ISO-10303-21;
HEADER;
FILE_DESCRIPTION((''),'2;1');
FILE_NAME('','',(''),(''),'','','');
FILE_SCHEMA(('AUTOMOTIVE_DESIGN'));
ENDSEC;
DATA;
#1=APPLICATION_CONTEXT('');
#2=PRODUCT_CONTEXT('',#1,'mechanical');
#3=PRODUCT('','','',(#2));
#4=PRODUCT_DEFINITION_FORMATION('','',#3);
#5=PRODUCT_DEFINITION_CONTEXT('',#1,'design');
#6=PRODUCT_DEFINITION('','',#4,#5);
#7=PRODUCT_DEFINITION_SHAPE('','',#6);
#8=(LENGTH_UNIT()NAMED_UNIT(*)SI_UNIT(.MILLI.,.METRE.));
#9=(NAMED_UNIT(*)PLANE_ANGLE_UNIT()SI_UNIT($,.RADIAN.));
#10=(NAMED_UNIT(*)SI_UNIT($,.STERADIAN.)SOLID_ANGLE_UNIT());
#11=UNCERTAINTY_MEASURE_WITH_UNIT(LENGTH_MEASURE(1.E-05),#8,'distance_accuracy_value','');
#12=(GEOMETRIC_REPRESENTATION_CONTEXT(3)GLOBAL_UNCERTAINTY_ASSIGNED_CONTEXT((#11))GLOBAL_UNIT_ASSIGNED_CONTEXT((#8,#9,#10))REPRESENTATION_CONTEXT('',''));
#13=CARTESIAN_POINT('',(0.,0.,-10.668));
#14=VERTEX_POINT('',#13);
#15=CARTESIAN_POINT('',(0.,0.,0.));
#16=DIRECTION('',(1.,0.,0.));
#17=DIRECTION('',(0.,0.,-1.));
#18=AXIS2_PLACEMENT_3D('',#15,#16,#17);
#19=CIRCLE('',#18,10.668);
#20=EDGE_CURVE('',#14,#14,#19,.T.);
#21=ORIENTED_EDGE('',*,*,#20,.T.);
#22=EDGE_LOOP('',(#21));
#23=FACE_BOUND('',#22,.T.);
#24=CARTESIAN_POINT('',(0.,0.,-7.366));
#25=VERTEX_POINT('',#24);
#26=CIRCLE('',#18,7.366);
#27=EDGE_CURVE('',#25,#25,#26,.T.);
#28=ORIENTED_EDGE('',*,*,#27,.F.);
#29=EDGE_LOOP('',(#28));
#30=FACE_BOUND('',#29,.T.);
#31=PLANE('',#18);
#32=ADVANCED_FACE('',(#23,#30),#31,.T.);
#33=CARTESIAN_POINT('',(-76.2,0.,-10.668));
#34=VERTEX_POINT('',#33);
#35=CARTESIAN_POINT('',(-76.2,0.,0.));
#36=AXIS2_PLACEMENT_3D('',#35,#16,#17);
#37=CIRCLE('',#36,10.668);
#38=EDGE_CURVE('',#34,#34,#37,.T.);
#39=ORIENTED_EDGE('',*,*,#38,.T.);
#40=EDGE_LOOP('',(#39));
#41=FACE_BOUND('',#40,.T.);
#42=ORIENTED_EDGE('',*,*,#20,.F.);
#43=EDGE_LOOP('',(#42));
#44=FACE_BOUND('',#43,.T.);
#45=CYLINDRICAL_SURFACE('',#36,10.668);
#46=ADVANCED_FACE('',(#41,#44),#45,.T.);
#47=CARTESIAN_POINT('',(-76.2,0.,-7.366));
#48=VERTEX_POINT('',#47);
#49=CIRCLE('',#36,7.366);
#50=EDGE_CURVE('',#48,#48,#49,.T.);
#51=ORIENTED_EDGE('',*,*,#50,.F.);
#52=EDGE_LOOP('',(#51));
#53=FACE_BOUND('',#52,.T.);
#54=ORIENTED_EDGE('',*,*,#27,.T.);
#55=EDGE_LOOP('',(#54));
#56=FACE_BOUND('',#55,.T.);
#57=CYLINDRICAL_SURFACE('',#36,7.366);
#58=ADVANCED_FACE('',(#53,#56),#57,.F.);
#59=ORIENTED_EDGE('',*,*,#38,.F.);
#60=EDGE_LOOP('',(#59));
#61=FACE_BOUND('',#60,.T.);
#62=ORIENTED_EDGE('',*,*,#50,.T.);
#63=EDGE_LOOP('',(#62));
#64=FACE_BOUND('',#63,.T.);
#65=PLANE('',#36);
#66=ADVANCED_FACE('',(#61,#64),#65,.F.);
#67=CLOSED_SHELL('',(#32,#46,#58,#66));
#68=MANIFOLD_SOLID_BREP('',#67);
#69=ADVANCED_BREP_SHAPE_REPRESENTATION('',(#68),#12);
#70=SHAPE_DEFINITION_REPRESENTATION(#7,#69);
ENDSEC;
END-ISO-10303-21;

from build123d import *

# Parameters (mm, degrees)
SKETCH1_R           = 10.668
SKETCH1_R_2         = 7.366
BOSS_EXTRUDE1_DEPTH = 76.2


with BuildPart() as part:
    # Sketch1 → Boss-Extrude1 (new body)
    with BuildSketch(Plane(origin=(0, 0, 0), x_dir=(0, 0, -1), z_dir=(1, 0, 0))):
        Circle(SKETCH1_R)
        Circle(SKETCH1_R_2, mode=Mode.SUBTRACT)
    extrude(amount=-BOSS_EXTRUDE1_DEPTH)


solid = part.part
